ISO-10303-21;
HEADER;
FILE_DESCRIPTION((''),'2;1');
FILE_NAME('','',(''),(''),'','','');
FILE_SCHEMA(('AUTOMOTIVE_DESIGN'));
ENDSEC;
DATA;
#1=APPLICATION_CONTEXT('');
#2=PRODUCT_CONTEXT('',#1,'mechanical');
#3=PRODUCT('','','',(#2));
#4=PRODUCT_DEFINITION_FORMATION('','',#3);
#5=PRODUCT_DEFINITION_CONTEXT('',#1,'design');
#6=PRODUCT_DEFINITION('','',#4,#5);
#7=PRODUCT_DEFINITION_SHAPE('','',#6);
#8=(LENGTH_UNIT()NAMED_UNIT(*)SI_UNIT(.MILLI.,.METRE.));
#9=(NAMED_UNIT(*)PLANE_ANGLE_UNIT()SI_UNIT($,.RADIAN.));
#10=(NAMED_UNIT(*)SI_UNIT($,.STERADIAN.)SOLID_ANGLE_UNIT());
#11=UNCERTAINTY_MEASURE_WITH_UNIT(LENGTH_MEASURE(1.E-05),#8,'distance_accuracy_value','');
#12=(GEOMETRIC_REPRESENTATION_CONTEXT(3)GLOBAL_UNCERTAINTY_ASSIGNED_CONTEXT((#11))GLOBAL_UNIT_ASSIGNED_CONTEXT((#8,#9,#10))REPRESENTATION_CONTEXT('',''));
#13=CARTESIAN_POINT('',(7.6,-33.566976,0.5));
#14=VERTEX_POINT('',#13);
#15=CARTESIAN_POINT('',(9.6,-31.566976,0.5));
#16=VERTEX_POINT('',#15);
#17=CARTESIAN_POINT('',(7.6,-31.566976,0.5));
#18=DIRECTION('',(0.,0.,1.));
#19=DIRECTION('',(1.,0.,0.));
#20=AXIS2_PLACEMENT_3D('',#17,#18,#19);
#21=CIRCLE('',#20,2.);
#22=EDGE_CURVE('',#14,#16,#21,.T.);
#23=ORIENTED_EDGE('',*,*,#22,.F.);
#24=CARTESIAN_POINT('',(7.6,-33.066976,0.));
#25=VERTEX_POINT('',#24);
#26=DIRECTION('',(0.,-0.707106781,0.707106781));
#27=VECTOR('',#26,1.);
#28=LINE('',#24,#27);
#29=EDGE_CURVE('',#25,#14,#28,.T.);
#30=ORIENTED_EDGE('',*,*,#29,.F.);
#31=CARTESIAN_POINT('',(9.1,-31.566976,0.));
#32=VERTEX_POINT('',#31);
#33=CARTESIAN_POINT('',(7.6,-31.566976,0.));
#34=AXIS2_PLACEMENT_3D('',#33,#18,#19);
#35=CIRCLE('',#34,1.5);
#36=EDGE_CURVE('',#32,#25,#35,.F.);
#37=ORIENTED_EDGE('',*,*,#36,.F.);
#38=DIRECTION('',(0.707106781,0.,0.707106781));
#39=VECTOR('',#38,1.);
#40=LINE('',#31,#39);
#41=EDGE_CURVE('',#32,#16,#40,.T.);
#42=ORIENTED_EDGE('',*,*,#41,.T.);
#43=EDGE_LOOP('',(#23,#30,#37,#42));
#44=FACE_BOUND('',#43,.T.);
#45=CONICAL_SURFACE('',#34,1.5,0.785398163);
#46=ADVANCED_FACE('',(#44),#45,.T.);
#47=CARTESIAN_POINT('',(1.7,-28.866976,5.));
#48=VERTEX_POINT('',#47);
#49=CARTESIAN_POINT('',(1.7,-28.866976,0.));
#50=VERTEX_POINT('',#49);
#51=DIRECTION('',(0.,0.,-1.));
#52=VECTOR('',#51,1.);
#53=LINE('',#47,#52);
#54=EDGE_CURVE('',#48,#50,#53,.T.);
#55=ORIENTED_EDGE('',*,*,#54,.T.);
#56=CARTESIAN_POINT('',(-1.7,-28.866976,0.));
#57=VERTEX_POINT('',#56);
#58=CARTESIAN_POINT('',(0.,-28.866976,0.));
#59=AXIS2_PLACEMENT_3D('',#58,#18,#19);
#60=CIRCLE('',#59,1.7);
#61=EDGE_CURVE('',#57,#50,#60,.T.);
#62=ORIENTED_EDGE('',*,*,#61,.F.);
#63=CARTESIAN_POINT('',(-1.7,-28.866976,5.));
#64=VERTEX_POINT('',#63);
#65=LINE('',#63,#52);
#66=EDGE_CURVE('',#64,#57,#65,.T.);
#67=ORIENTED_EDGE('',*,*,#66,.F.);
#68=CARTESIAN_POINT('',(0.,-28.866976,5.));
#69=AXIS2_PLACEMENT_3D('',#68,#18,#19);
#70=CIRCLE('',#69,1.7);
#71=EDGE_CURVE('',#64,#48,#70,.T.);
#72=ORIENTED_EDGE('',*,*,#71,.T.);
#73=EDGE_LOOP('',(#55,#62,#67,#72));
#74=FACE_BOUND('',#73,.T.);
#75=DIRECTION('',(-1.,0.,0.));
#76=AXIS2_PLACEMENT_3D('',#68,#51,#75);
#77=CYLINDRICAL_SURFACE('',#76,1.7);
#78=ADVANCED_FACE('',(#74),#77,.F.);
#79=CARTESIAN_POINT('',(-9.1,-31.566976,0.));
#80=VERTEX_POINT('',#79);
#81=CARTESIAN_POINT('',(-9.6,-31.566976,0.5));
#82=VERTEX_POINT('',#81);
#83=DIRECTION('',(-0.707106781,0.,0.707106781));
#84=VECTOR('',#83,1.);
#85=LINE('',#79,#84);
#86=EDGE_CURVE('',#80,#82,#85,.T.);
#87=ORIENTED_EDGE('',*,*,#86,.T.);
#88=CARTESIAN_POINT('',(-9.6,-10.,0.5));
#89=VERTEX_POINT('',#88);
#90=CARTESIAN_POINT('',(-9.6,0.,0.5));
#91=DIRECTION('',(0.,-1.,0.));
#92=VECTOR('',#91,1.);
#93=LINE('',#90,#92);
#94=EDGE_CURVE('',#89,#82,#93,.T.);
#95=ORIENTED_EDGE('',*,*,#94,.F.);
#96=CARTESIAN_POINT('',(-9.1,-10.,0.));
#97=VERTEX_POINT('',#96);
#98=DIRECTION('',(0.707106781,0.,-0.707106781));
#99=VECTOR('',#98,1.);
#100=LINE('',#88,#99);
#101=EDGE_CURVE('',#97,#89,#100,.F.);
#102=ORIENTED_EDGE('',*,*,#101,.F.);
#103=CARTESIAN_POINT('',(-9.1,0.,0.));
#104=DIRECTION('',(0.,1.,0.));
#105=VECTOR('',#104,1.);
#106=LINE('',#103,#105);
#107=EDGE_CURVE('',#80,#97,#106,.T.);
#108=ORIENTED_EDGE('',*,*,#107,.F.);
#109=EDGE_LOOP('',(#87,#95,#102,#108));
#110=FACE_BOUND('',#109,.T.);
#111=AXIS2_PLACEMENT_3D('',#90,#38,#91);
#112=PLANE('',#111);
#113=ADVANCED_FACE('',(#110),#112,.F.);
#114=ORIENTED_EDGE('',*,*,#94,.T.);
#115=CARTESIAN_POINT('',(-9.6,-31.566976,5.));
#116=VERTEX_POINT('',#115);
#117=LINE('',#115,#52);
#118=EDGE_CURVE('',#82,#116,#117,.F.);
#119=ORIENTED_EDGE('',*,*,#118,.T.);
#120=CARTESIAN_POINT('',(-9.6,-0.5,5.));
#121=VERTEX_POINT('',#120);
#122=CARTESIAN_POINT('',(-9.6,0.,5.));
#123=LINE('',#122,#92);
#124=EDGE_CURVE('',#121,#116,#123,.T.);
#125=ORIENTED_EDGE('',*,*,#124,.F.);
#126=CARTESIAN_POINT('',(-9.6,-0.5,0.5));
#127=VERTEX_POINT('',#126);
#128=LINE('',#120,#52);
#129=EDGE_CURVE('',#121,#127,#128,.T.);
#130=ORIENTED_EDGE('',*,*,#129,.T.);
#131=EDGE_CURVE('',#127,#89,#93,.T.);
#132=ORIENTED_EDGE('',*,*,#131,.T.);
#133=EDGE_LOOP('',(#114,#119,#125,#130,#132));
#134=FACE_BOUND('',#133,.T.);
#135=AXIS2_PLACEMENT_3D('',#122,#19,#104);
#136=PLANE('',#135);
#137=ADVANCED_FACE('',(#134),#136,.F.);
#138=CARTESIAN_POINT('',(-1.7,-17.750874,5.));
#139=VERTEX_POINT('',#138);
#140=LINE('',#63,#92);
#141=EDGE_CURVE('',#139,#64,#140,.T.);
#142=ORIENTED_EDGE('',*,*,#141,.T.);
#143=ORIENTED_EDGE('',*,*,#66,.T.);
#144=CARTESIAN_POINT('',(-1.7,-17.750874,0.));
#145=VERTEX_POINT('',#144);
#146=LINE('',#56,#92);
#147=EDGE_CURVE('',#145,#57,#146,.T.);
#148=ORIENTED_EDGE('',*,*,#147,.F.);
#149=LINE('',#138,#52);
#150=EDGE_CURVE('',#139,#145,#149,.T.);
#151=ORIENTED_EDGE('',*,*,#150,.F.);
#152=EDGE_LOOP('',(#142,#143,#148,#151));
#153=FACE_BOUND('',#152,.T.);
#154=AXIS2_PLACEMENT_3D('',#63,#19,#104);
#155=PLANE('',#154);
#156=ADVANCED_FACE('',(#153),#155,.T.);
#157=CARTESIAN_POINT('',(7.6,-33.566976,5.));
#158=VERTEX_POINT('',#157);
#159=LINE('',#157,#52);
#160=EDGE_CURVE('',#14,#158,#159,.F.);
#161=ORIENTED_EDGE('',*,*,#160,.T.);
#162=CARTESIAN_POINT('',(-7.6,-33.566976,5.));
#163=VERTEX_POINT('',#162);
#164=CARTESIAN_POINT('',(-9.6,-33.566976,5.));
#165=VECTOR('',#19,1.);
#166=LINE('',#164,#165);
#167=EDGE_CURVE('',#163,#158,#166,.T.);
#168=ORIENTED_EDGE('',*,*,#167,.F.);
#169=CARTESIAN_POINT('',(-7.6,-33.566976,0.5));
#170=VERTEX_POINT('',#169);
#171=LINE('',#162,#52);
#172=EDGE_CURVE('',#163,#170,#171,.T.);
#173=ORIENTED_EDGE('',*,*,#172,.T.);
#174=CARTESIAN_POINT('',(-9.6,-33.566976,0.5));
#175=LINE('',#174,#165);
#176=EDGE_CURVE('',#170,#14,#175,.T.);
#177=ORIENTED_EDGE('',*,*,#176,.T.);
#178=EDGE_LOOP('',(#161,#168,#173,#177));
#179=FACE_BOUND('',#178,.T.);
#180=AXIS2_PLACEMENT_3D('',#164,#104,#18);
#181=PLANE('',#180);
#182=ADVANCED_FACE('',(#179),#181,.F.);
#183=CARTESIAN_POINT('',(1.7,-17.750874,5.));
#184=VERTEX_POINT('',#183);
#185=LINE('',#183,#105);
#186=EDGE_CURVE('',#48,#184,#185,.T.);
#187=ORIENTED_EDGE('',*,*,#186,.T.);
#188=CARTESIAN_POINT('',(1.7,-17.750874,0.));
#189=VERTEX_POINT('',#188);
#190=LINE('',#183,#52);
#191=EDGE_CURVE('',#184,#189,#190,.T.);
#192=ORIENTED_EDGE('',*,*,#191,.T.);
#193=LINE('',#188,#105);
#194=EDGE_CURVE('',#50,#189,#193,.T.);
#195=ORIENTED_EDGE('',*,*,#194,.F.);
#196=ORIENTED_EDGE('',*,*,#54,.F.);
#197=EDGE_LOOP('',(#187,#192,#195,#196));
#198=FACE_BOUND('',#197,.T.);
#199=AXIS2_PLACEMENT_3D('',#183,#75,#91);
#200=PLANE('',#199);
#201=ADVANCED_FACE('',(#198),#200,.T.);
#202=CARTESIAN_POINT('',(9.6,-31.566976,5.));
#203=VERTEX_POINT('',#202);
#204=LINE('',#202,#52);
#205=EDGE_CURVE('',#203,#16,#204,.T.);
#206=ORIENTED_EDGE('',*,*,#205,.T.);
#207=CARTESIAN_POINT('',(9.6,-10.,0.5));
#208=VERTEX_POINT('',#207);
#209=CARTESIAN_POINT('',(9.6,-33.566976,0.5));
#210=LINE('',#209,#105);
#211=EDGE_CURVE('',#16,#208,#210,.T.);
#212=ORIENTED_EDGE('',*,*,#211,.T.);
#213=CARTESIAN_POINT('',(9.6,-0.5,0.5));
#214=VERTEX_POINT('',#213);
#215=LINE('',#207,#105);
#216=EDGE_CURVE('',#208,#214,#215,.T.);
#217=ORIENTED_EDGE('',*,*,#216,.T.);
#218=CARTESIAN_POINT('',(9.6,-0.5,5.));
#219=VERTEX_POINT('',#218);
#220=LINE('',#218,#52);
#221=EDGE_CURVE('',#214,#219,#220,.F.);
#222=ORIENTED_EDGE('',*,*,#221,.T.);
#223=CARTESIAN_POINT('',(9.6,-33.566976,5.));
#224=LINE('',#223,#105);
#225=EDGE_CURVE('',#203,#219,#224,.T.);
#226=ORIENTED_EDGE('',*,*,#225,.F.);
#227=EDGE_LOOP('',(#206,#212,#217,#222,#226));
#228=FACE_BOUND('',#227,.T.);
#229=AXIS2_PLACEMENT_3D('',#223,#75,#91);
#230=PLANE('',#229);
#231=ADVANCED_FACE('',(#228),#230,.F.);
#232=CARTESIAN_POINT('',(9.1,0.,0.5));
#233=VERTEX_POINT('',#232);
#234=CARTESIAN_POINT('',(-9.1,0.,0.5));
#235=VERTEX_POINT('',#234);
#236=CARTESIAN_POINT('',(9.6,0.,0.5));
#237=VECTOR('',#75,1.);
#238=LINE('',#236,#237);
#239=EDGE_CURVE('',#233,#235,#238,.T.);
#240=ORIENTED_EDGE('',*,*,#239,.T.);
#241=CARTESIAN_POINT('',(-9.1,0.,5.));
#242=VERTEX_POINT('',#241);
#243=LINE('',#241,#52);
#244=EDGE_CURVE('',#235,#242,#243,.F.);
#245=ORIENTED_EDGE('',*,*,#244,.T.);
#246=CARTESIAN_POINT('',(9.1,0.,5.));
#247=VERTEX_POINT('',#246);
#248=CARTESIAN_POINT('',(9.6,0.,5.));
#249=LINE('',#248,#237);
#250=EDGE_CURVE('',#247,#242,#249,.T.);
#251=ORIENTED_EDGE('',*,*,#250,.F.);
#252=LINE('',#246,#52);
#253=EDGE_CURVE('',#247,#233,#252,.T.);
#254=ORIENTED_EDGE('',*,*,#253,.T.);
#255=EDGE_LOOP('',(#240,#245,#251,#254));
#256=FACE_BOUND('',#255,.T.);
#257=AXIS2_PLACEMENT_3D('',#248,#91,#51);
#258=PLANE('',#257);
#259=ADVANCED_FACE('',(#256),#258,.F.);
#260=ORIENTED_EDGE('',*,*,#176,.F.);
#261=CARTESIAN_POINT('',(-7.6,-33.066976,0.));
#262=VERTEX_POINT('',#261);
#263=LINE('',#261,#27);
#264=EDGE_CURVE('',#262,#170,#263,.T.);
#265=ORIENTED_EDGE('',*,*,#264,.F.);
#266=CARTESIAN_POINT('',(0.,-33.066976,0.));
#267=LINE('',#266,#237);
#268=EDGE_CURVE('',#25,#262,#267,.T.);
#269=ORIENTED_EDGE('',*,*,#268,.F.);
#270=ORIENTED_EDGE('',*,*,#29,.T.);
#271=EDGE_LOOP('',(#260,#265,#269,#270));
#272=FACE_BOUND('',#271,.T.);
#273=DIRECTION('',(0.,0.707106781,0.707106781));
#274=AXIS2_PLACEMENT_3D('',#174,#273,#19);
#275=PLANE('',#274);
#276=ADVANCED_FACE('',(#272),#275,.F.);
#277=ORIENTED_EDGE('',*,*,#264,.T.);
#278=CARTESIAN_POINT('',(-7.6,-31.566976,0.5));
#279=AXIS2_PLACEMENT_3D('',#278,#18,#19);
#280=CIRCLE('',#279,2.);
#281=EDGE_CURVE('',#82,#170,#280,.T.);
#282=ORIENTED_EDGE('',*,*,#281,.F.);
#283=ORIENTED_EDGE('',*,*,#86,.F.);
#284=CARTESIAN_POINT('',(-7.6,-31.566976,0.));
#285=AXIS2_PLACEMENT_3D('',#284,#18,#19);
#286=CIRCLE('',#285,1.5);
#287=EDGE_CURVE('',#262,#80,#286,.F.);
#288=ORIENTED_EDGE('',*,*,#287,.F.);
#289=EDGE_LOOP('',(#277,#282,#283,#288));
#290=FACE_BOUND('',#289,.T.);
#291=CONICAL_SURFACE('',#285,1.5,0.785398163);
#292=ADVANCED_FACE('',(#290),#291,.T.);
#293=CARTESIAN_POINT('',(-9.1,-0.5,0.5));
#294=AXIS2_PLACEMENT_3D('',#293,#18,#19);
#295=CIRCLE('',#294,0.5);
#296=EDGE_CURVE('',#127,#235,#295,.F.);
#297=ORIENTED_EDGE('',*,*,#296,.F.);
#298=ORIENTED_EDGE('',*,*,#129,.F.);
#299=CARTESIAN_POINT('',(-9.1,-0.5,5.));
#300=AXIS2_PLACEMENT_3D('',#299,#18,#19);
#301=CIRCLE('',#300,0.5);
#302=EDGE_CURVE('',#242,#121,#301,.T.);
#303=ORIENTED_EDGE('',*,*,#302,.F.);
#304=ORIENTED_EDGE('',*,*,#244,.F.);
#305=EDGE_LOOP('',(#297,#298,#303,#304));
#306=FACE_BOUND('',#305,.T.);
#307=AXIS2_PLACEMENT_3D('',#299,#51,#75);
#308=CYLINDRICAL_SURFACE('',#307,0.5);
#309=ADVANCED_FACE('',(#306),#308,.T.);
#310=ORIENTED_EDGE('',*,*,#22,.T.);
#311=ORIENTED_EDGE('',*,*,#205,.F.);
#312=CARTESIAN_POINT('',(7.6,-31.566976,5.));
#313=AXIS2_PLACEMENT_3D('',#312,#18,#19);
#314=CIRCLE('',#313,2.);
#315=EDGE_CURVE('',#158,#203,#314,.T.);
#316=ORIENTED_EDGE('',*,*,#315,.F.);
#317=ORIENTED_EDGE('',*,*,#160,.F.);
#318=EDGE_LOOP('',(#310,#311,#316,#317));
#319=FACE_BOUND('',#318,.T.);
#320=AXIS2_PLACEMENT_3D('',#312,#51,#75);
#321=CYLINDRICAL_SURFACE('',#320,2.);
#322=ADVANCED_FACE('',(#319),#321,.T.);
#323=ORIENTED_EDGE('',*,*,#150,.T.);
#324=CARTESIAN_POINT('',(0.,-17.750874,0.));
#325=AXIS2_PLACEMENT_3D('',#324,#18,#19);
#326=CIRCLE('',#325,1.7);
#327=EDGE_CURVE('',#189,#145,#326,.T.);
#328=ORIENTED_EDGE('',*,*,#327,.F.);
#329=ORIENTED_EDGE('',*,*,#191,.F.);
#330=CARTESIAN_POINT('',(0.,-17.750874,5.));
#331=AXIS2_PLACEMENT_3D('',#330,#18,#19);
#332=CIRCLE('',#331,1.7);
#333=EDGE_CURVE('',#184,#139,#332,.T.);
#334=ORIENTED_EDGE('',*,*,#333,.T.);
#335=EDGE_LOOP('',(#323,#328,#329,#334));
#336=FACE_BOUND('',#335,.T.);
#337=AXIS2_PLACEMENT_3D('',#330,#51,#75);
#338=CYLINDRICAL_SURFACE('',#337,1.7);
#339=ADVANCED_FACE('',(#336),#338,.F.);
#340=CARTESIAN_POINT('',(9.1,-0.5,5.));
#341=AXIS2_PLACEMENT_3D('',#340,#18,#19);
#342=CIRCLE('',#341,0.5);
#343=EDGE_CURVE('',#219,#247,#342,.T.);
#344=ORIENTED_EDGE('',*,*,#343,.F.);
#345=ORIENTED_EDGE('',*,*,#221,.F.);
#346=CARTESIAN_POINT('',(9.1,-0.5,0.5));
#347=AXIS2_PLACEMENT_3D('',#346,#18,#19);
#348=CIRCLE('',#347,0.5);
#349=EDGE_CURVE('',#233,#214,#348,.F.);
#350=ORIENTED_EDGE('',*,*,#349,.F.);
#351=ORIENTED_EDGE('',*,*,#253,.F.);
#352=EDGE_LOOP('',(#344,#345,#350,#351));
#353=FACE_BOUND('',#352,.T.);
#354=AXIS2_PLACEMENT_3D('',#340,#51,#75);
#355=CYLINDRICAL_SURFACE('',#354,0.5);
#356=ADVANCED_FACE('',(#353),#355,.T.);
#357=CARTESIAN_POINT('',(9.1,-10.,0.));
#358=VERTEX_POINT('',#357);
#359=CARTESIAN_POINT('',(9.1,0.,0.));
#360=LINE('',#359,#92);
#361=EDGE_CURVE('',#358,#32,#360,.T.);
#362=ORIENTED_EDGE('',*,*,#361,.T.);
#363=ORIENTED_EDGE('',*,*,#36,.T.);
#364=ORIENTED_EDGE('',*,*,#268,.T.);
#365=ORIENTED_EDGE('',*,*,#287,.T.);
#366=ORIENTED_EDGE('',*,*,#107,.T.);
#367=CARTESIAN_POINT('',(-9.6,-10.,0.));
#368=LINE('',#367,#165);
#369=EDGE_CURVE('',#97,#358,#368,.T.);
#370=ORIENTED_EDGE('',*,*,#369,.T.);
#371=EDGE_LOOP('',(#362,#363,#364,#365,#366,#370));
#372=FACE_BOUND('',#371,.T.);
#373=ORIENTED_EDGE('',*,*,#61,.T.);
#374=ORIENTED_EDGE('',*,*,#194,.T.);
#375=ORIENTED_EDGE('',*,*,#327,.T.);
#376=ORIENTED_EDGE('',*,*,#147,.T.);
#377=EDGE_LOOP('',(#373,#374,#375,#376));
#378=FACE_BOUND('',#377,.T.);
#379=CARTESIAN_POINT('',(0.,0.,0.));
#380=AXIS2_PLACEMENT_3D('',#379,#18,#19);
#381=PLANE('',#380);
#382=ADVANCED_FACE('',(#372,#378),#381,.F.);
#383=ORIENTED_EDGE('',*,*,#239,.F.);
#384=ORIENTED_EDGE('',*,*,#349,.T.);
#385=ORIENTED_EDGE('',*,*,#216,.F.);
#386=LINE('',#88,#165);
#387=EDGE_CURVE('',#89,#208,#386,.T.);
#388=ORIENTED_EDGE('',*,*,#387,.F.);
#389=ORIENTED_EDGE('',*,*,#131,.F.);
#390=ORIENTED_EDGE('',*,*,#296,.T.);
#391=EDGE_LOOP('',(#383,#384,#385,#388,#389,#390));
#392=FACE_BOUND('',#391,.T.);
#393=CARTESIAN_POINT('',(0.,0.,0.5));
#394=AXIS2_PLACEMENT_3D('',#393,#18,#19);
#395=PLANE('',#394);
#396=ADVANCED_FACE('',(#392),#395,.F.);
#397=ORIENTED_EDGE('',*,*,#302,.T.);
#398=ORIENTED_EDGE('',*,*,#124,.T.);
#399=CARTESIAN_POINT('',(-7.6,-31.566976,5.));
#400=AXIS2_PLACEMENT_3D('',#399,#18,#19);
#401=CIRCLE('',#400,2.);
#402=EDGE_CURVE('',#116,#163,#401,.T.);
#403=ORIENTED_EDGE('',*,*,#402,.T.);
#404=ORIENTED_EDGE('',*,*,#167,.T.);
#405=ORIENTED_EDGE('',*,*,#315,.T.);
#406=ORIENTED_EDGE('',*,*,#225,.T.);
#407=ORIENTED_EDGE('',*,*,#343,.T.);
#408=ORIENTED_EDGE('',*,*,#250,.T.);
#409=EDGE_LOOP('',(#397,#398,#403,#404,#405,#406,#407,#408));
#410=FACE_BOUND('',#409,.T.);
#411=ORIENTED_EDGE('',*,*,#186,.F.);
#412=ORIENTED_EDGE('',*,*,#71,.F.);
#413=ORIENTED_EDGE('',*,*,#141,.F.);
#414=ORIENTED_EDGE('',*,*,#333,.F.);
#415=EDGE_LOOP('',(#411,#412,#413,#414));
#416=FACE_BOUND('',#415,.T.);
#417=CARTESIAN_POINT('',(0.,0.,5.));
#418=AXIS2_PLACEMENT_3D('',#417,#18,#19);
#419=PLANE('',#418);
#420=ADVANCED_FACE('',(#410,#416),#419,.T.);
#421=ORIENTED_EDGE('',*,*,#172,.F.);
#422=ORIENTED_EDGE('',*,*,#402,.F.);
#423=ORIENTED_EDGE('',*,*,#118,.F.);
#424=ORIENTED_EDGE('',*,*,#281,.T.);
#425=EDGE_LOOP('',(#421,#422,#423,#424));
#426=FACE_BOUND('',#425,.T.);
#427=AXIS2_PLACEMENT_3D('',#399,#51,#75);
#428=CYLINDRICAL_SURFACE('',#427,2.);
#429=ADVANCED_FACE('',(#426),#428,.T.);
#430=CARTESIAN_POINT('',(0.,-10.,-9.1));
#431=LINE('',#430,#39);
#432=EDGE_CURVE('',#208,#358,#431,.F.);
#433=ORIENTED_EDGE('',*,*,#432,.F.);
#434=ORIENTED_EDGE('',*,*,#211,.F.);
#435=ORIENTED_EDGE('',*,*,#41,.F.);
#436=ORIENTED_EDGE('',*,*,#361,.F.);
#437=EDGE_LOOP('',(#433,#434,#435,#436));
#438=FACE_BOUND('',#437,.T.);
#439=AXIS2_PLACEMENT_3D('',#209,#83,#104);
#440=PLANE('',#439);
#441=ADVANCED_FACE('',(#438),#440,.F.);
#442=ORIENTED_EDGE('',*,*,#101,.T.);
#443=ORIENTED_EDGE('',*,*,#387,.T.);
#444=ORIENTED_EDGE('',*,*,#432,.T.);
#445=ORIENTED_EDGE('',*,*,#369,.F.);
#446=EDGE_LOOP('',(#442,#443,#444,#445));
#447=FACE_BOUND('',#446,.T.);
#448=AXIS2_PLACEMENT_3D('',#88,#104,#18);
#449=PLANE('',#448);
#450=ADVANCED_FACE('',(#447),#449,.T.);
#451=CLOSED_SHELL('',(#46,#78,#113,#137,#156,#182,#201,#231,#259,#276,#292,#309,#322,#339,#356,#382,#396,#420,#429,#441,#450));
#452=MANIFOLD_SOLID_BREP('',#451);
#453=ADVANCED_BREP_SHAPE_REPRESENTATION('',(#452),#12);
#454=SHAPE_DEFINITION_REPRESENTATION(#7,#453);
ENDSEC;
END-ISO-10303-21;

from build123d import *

# Parameters (mm, degrees)
SKETCH1_W           = 19.2
SKETCH1_H           = 33.566975924
BOSS_EXTRUDE1_DEPTH = 5
FILLET1_R           = 2
SKETCH2_W           = 19.2
SKETCH2_H           = 10
CUT_EXTRUDE1_DEPTH  = 0.5
FILLET2_R           = 0.5
CHAMFER1_SIZE       = 0.5


with BuildPart() as part:
    # Sketch1 → Boss-Extrude1 (new body)
    with BuildSketch(Plane.XY):
        with Locations((0, -16.783487962)):
            Rectangle(SKETCH1_W, SKETCH1_H)
        with BuildLine():
            Line((-1.7, -28.866975924), (-1.7, -17.750874329))
            ThreePointArc((-1.7, -17.750874329), (0, -16.050874329), (1.7, -17.750874329))
            Line((1.7, -17.750874329), (1.7, -28.866975924))
            ThreePointArc((1.7, -28.866975924), (0, -30.566975924), (-1.7, -28.866975924))
        make_face(mode=Mode.SUBTRACT)
    extrude(amount=BOSS_EXTRUDE1_DEPTH)

    # Fillet1
    fillet1_edges = [part.edges().sort_by_distance(p)[0] for p in [
        (-9.6, -33.566975924, 2.5),
        (9.6, -33.566975924, 2.5),
    ]]
    fillet(fillet1_edges, radius=FILLET1_R)

    # Sketch2 → Cut-Extrude1 (cut)
    with BuildSketch(Plane.XY):
        with Locations((0, -5)):
            Rectangle(SKETCH2_W, SKETCH2_H)
    extrude(amount=CUT_EXTRUDE1_DEPTH, mode=Mode.SUBTRACT)

    # Fillet2
    fillet2_edges = [part.edges().sort_by_distance(p)[0] for p in [
        (-9.6, 0, 2.75),
        (9.6, 0, 2.75),
    ]]
    fillet(fillet2_edges, radius=FILLET2_R)

    # Chamfer1
    chamfer1_edges = [part.edges().sort_by_distance(p)[0] for p in [
        (-9.6, -20.783487962, 0),
        (-9.014213562, -32.981189486, 0),
        (0, -33.566975924, 0),
        (9.014213562, -32.981189486, 0),
        (9.6, -20.783487962, 0),
    ]]
    chamfer(chamfer1_edges, length=CHAMFER1_SIZE)


solid = part.part
